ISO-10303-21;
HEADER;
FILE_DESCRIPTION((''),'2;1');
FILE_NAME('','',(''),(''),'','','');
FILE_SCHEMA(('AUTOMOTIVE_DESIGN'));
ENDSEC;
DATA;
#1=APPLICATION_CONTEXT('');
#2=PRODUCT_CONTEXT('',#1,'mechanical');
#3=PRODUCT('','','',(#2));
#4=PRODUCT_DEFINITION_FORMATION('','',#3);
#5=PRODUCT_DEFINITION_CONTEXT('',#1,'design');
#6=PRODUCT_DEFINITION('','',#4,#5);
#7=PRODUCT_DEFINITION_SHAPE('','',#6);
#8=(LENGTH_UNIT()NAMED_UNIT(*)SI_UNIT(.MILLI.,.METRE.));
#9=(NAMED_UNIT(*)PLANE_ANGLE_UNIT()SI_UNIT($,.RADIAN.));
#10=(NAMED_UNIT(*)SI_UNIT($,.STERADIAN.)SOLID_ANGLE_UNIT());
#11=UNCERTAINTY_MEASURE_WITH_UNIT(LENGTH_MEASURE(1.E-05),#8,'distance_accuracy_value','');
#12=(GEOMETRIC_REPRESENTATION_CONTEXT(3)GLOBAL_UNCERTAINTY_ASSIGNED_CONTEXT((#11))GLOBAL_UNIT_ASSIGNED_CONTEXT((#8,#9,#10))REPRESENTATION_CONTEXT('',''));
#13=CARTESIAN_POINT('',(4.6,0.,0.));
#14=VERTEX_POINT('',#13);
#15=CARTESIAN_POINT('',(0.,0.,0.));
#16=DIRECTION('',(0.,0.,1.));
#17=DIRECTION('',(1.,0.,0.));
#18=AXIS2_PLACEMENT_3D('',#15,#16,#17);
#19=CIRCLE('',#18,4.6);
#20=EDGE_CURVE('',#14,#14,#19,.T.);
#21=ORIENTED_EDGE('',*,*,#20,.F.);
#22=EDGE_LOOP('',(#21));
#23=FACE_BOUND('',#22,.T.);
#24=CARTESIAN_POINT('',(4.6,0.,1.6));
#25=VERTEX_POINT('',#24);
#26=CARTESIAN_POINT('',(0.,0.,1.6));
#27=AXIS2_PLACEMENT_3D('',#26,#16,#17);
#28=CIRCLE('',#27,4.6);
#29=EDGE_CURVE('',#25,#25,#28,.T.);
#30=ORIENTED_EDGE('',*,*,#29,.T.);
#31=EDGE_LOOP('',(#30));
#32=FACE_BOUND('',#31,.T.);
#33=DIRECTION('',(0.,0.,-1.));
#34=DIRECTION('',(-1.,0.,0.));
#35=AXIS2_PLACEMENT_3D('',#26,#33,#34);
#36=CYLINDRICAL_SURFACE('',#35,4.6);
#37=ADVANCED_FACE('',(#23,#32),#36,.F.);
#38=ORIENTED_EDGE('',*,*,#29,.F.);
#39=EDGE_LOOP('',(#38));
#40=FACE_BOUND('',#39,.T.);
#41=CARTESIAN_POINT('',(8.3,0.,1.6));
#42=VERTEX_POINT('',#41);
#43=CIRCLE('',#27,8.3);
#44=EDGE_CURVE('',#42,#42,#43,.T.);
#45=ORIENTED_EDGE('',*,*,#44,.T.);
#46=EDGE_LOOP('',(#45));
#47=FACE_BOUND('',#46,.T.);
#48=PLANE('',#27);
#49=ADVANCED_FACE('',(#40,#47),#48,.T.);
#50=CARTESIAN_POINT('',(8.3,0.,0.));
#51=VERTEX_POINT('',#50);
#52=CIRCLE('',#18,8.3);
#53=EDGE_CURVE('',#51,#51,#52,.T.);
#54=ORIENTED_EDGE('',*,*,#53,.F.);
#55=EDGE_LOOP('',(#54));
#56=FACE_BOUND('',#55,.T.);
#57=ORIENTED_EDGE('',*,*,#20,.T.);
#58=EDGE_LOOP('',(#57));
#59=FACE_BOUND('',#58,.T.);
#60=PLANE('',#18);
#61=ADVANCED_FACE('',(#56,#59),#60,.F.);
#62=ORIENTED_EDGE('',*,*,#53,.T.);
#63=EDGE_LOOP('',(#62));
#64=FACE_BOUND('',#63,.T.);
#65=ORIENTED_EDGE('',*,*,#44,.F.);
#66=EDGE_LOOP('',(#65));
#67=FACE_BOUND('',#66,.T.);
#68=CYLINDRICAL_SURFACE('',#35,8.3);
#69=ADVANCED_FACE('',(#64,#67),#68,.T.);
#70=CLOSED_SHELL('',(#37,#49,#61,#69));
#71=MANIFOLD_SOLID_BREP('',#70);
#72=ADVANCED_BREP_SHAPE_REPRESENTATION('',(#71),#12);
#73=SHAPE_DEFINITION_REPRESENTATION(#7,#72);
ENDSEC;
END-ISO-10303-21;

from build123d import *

# Parameters (mm, degrees)
SKETCH1_R           = 8.3
SKETCH1_R_2         = 4.6
BOSS_EXTRUDE1_DEPTH = 1.6


with BuildPart() as part:
    # Sketch1 → Boss-Extrude1 (new body)
    with BuildSketch(Plane.XY):
        Circle(SKETCH1_R)
        Circle(SKETCH1_R_2, mode=Mode.SUBTRACT)
    extrude(amount=BOSS_EXTRUDE1_DEPTH)


solid = part.part
